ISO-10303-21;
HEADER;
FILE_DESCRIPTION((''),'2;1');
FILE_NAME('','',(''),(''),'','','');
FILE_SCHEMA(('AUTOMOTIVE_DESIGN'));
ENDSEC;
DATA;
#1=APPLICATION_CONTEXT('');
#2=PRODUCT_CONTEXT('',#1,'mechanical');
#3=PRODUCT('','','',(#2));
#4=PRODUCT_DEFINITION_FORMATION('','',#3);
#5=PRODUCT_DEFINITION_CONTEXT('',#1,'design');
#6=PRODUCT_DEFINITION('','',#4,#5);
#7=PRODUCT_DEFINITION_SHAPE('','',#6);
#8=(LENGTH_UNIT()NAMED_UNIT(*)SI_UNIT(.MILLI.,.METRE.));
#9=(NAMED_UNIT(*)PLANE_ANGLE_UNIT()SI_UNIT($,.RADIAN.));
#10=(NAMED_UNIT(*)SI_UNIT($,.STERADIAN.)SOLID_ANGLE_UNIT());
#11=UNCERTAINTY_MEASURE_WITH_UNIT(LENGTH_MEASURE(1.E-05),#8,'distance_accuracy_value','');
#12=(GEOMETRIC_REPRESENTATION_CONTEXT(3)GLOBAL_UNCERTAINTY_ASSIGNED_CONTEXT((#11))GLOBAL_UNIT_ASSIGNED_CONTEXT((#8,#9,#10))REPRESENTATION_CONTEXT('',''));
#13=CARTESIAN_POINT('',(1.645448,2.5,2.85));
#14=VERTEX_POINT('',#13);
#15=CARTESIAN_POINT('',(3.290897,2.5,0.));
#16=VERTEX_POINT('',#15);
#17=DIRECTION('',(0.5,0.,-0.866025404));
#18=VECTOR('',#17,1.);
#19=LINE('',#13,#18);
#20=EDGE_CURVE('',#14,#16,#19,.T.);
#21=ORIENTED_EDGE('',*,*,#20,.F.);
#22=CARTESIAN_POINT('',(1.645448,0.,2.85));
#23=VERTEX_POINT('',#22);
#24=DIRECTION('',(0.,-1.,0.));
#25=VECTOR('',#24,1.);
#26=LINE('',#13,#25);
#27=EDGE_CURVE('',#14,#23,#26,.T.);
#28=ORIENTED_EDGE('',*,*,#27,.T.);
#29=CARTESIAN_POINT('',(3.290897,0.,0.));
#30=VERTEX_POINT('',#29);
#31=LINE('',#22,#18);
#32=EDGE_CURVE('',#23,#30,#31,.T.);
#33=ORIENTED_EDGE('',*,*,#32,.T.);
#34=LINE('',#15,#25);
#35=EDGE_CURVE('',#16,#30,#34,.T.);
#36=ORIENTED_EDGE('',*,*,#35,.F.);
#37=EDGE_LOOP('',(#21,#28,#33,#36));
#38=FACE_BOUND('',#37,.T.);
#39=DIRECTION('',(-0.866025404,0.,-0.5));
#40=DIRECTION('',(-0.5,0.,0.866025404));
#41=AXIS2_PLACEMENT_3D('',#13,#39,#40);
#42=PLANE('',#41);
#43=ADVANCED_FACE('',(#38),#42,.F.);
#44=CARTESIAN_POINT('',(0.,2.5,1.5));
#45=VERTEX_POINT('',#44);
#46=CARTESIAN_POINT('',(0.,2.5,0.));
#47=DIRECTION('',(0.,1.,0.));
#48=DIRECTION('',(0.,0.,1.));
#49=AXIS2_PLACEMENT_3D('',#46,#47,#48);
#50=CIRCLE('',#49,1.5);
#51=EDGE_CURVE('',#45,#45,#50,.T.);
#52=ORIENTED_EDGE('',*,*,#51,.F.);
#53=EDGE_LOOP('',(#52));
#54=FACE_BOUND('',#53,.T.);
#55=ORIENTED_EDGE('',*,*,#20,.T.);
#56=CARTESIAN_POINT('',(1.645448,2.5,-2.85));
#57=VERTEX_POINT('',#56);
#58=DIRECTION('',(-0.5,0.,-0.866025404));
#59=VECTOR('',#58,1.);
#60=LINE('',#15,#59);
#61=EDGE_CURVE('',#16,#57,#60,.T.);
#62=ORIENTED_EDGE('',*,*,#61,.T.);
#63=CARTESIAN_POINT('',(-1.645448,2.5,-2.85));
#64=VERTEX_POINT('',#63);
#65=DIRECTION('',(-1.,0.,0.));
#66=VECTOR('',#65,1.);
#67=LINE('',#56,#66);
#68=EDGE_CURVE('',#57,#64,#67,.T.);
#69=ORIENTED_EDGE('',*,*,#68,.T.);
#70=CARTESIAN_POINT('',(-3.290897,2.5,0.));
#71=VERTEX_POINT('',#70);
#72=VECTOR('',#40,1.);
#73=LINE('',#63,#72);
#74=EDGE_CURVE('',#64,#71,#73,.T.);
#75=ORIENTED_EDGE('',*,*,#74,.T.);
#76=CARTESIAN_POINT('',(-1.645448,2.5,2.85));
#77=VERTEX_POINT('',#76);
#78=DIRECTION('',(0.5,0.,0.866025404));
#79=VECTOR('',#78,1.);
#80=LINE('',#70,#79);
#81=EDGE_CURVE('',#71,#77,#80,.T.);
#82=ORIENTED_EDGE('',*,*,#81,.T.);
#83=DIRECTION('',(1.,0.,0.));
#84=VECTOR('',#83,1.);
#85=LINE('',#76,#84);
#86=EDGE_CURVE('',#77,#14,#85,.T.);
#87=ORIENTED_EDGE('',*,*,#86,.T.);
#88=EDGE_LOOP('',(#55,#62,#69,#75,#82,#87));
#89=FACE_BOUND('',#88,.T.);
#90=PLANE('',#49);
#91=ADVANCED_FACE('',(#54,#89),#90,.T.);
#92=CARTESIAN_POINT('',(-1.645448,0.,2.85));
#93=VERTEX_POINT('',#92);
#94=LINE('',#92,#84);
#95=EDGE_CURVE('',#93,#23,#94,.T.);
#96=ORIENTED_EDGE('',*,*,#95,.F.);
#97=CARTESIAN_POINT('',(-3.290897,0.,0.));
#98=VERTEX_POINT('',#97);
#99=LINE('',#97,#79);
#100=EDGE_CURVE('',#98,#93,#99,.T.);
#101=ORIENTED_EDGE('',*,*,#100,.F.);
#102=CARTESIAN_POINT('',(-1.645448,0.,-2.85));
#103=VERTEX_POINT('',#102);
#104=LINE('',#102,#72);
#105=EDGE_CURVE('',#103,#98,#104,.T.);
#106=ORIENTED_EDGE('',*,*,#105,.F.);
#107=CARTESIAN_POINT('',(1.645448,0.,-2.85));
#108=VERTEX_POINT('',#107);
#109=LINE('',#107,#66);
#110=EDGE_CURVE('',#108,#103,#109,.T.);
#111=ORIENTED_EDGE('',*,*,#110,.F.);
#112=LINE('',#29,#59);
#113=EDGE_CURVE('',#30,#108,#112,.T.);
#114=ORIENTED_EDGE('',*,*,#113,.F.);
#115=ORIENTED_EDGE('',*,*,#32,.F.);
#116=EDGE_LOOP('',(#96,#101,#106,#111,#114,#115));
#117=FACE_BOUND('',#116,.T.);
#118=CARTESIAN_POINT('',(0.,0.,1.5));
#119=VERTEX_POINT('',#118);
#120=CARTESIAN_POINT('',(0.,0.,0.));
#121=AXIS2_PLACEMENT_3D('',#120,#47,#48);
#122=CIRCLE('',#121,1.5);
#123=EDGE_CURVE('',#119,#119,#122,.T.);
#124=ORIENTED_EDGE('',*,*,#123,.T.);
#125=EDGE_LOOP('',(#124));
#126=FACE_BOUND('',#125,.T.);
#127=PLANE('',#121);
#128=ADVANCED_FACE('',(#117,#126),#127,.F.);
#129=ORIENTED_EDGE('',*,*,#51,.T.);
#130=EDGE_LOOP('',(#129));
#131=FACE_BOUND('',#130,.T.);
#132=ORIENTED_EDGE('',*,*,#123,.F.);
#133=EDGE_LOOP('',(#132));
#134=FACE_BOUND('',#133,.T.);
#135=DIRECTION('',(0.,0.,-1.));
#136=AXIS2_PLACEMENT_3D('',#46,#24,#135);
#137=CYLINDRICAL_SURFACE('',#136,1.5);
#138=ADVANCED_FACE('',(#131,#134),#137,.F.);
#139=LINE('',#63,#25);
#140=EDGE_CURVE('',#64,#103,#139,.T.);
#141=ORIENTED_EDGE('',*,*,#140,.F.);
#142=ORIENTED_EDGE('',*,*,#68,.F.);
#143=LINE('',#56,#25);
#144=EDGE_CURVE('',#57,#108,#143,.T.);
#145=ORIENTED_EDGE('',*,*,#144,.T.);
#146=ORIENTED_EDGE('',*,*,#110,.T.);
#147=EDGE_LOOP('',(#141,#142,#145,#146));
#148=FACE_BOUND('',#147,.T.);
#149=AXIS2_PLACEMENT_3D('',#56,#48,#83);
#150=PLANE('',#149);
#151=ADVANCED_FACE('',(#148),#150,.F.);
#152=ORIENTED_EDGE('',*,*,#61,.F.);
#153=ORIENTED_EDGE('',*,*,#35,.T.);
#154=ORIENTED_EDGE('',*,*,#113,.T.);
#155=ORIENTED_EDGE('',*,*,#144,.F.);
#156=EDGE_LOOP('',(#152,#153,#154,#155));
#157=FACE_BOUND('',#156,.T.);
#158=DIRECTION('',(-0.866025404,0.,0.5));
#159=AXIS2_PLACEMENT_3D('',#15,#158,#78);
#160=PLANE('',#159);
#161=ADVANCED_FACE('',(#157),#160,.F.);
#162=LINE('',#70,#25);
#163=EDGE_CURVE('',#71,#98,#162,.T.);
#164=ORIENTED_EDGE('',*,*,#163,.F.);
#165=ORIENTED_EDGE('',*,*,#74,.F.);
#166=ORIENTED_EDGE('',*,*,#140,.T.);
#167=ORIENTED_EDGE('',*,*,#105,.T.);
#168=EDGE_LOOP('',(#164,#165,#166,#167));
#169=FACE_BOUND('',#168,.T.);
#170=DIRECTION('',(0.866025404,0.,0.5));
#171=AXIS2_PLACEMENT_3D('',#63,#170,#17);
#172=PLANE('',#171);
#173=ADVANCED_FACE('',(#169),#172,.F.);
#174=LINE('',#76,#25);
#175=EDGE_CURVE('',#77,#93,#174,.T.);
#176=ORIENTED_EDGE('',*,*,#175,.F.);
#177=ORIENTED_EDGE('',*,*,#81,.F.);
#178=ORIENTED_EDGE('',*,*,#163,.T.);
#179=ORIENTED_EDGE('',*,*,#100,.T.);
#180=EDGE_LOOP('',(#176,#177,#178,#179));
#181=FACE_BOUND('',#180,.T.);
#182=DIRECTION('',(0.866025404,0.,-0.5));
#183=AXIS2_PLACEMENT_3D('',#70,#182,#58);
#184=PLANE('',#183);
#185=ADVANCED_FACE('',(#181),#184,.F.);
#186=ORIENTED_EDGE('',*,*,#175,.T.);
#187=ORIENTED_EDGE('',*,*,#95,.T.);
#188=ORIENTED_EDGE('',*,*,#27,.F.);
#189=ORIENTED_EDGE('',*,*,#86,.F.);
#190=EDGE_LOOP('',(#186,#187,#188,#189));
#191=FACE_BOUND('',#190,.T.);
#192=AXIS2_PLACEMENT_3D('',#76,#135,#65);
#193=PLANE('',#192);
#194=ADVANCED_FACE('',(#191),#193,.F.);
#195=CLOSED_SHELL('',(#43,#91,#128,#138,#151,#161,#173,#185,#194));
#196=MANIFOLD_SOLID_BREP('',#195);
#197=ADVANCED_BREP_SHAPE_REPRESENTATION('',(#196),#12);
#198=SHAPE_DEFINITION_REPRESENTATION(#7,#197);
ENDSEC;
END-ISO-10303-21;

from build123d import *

# Parameters (mm, degrees)
SKETCH1_R       = 1.5
THICKNESS_DEPTH = 2.5


with BuildPart() as part:
    # Sketch1 → Thickness (new body)
    with BuildSketch(Plane(origin=(0, 0, 0), x_dir=(1, 0, 0), z_dir=(0, 1, 0))):
        Polygon((3.290896534, 0), (1.645448267, 2.85), (-1.645448267, 2.85), (-3.290896534, 0), (-1.645448267, -2.85), (1.645448267, -2.85), align=None)
        with Locations(Location((0, 0, 0), (0, 0, 270))):
            Circle(SKETCH1_R, mode=Mode.SUBTRACT)
    extrude(amount=THICKNESS_DEPTH)


solid = part.part
